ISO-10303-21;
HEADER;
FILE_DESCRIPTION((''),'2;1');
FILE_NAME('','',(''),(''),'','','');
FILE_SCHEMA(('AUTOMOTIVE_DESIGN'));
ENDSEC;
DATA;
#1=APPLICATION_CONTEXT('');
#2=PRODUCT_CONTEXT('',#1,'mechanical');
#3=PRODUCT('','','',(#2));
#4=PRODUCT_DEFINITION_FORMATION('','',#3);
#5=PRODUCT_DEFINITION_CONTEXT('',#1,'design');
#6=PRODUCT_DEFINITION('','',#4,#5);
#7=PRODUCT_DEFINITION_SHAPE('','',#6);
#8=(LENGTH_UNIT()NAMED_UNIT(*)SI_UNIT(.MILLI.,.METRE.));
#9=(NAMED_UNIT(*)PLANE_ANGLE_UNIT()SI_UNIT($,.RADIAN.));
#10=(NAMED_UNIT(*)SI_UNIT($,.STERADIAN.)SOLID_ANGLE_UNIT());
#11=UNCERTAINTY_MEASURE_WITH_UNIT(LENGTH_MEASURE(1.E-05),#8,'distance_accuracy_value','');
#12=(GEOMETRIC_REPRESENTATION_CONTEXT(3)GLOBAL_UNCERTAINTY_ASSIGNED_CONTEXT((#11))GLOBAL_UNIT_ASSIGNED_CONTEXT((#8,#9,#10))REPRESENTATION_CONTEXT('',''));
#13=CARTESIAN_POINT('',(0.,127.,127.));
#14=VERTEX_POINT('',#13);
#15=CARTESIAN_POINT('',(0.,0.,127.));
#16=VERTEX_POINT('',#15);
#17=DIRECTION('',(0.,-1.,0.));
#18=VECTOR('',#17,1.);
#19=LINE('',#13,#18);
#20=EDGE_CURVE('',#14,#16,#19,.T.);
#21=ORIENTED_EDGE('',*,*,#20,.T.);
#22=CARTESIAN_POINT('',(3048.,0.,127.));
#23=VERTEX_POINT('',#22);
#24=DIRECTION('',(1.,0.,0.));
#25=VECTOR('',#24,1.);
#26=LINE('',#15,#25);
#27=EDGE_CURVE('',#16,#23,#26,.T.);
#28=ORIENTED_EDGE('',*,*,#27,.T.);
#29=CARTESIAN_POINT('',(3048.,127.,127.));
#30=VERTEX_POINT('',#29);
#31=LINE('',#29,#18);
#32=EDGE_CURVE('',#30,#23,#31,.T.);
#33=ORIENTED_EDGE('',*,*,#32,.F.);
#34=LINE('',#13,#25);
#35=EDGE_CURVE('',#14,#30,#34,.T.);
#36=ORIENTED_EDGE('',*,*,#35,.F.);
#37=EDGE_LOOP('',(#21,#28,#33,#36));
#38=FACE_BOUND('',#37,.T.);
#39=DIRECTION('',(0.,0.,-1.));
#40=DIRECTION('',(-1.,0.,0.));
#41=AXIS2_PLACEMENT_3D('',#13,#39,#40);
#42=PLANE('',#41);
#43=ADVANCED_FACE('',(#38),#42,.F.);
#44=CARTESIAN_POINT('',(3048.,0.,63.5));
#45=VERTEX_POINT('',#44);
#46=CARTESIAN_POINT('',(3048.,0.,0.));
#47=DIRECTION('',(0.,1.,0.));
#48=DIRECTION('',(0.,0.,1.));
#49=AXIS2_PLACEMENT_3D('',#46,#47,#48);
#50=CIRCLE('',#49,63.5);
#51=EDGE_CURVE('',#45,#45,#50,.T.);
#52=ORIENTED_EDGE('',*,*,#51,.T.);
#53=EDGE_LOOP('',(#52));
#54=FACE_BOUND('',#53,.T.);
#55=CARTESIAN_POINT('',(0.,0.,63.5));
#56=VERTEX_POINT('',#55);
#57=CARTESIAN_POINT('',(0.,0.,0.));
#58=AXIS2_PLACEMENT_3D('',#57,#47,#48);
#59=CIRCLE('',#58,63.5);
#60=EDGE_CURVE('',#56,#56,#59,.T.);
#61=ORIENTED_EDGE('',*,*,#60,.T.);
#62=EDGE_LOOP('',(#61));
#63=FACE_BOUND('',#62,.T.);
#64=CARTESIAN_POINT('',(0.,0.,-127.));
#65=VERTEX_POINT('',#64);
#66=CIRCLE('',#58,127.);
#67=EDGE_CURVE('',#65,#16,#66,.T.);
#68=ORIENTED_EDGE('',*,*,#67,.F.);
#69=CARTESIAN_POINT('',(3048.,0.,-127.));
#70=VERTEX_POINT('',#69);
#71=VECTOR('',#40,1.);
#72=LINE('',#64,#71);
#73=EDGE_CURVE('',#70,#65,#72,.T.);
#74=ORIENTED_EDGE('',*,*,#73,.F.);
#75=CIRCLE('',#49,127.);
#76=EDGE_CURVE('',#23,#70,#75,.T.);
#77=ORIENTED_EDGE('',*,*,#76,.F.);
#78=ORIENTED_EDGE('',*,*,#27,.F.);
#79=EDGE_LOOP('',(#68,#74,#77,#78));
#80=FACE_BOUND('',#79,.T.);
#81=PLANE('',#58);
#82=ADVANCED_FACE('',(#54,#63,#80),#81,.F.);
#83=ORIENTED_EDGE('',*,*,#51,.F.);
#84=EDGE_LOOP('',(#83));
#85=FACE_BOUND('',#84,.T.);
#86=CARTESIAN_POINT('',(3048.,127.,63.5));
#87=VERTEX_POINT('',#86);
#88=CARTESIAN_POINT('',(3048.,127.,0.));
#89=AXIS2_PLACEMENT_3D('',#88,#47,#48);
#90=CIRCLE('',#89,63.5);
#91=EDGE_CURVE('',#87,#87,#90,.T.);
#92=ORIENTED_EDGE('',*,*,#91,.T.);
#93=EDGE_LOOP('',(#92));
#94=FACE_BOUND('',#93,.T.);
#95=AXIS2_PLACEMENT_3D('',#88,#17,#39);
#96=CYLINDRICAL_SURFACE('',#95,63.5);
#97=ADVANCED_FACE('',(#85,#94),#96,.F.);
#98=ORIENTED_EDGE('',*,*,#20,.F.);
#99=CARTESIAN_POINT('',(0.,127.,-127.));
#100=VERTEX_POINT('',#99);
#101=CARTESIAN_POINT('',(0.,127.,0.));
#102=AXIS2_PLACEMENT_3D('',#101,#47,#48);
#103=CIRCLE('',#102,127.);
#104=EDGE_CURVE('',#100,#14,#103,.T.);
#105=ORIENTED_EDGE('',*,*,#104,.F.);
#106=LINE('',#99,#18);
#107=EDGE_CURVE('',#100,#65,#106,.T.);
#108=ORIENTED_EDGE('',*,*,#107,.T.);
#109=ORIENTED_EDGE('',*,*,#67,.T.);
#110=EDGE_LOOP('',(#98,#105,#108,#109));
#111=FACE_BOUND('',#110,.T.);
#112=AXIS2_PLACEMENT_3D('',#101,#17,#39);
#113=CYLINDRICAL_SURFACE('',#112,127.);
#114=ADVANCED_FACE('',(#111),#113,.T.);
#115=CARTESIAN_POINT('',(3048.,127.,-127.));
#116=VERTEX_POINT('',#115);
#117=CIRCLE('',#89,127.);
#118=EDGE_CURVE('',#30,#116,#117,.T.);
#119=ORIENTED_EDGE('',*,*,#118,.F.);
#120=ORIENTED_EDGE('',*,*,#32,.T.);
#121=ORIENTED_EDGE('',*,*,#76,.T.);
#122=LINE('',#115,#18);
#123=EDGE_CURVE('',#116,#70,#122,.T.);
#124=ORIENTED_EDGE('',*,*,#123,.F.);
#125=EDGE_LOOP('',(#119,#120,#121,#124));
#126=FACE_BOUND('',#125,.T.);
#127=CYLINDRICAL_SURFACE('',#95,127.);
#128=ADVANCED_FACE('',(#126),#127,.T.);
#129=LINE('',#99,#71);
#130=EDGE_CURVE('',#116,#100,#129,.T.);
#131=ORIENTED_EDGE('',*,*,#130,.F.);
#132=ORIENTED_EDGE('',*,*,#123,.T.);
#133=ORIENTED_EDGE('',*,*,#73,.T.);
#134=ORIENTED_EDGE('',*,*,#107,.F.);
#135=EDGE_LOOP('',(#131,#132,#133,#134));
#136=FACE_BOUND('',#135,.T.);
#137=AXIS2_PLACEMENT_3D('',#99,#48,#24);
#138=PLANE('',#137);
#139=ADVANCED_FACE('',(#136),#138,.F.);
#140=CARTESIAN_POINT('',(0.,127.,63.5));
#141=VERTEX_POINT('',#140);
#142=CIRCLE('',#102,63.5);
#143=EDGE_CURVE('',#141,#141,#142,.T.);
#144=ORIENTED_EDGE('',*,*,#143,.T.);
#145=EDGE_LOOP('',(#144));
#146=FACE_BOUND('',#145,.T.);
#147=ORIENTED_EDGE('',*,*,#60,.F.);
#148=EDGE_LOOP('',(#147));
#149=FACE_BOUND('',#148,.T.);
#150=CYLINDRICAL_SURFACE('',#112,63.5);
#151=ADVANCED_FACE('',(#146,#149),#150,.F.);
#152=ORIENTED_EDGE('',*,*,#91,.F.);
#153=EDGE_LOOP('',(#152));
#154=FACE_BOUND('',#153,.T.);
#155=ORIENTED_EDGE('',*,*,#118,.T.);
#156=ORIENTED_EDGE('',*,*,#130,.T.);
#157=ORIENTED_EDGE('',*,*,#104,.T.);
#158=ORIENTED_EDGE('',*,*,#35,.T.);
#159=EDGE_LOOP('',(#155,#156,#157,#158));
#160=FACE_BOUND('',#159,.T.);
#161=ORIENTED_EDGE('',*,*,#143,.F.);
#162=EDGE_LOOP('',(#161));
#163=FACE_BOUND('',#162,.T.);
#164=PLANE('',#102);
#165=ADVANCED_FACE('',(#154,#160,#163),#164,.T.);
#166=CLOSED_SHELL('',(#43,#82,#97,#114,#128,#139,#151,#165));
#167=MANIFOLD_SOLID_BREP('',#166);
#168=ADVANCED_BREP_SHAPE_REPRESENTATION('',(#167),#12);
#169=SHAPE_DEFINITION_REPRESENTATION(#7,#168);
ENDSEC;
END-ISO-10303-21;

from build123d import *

# Parameters (mm, degrees)
SKETCH1_R           = 63.5
BOSS_EXTRUDE1_DEPTH = 127


with BuildPart() as part:
    # Sketch1 → Boss-Extrude1 (new body)
    with BuildSketch(Plane(origin=(0, 0, 0), x_dir=(1, 0, 0), z_dir=(0, 1, 0))):
        with BuildLine():
            Line((0, 127), (3048, 127))
            ThreePointArc((3048, 127), (3175, 0), (3048, -127))
            Line((3048, -127), (0, -127))
            ThreePointArc((0, -127), (-127, 0), (0, 127))
        make_face()
        with Locations(Location((0, 0, 0), (0, 0, 270))):
            Circle(SKETCH1_R, mode=Mode.SUBTRACT)
        with Locations(Location((3048, 0, 0), (0, 0, 270))):
            Circle(SKETCH1_R, mode=Mode.SUBTRACT)
    extrude(amount=BOSS_EXTRUDE1_DEPTH)


solid = part.part
